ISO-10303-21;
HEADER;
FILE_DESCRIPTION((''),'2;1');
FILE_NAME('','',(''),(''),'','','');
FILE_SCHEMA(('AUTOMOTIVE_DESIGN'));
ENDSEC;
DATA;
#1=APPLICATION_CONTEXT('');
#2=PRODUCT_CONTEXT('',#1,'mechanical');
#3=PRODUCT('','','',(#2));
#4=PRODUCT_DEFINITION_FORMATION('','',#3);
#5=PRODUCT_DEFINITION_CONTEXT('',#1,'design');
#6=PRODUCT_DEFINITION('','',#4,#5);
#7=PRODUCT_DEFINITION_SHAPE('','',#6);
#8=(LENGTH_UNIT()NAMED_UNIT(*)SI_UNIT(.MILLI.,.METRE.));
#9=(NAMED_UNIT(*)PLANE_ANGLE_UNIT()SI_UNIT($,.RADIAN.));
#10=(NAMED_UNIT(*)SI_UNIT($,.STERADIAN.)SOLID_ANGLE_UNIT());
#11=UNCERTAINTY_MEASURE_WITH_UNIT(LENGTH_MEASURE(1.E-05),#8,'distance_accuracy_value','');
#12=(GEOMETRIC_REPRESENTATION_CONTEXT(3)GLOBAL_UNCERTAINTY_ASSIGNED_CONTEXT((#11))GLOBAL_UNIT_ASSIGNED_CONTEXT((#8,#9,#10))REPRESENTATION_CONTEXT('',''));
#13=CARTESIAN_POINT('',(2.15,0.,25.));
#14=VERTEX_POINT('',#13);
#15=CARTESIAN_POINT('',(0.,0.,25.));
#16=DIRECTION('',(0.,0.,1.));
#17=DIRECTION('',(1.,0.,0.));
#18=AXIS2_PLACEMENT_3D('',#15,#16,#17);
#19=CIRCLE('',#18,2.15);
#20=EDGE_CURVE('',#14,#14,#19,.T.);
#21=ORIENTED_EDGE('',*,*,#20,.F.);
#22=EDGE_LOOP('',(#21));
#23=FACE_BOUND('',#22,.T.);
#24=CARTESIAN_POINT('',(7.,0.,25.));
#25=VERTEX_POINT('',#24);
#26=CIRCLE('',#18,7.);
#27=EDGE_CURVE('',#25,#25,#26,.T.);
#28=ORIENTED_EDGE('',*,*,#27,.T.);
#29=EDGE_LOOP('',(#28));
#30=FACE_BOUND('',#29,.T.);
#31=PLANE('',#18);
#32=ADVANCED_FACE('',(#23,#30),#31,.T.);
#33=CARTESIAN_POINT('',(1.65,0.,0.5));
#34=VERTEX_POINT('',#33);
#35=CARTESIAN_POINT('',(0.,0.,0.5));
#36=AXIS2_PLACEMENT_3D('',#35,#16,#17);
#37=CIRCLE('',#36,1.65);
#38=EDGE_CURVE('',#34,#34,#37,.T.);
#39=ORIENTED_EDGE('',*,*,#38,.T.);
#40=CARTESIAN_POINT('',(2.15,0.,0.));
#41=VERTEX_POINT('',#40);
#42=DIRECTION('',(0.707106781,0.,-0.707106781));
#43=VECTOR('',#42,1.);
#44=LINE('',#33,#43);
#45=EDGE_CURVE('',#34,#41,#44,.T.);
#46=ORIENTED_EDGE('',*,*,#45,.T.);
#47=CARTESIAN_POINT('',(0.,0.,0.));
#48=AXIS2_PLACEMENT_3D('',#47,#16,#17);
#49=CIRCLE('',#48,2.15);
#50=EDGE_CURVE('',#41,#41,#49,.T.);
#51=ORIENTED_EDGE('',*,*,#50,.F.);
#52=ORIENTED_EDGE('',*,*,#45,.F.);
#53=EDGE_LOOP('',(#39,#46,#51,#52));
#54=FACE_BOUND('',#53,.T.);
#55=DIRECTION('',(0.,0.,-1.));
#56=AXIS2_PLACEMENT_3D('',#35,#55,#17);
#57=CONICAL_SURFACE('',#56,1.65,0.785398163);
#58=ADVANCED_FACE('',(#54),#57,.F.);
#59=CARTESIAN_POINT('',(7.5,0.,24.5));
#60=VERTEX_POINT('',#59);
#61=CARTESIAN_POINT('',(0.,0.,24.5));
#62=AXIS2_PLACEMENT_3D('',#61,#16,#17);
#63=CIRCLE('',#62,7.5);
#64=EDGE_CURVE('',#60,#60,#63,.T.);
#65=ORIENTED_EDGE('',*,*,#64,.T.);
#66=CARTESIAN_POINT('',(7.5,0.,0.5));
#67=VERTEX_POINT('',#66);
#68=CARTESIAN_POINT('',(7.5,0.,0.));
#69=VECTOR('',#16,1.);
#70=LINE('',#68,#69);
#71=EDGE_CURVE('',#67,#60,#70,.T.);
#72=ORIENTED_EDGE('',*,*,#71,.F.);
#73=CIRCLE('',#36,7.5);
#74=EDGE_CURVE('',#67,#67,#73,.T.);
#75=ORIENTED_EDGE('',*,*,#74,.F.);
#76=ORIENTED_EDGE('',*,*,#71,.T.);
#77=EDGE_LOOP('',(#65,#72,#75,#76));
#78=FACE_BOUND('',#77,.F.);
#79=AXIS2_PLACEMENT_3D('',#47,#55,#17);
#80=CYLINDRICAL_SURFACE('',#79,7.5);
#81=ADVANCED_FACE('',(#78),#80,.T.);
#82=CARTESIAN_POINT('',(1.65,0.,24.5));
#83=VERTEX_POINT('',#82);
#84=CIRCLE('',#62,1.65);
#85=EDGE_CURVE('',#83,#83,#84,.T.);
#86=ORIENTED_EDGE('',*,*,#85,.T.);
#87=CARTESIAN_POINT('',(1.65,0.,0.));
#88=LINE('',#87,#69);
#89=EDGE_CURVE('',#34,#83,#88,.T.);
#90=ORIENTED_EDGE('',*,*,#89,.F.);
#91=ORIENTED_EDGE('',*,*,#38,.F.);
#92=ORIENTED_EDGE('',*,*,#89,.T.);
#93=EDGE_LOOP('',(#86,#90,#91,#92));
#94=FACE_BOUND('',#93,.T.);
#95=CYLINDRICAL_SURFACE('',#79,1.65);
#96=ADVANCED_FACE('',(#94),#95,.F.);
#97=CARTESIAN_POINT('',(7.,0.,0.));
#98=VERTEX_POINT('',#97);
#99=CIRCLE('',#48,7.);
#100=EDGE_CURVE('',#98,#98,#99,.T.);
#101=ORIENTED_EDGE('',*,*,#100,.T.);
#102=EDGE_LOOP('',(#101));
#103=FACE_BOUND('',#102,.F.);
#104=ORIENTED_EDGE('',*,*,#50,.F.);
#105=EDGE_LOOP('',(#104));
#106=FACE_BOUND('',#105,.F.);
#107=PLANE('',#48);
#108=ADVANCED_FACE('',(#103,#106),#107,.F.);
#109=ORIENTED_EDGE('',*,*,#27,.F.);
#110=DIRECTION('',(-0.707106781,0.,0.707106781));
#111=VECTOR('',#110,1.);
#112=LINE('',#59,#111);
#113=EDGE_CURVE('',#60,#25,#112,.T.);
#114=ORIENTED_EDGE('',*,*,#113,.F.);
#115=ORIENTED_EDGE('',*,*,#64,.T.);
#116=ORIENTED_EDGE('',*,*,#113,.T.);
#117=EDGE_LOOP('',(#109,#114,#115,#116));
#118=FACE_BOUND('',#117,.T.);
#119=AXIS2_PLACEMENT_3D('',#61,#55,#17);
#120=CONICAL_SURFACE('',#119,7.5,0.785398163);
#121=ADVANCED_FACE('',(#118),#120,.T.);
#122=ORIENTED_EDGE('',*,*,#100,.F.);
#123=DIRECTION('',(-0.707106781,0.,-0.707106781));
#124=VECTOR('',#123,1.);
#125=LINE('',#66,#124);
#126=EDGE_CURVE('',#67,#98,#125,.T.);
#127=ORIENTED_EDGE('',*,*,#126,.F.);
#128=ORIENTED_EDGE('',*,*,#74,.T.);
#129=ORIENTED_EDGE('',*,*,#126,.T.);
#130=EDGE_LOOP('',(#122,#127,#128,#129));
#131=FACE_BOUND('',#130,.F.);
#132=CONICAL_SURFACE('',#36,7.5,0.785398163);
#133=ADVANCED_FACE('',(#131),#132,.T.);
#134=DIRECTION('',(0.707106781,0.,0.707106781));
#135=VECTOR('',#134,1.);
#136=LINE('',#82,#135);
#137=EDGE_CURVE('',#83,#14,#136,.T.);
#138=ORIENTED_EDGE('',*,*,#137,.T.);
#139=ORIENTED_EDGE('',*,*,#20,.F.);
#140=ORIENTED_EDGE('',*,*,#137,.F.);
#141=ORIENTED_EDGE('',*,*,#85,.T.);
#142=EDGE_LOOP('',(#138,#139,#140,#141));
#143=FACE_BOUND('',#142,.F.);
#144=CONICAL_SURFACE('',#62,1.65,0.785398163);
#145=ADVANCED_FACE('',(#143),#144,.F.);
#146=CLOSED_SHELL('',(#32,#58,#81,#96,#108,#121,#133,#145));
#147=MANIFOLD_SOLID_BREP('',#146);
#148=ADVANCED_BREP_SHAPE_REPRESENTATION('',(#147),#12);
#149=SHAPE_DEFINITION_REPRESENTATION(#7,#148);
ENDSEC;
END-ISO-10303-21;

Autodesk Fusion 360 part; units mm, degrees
sketch "Sketch1" plane through (0, 0, 0) normal (0, 0, 1) x (1, 0, 0)
  circle A0 centre (0, 0) radius 1.65
  circle A1 centre (0, 0) radius 7.5
  dimension "d1" = 3.3
  dimension "d2" = 15
extrude "Extrude1" add sketch "Sketch1" along normal blind 25
chamfer "Chamfer1" distance 0.5 angle 45 2 faces at (5.5159, -0.4546, 25) (5.5159, -0.4546, 0)
